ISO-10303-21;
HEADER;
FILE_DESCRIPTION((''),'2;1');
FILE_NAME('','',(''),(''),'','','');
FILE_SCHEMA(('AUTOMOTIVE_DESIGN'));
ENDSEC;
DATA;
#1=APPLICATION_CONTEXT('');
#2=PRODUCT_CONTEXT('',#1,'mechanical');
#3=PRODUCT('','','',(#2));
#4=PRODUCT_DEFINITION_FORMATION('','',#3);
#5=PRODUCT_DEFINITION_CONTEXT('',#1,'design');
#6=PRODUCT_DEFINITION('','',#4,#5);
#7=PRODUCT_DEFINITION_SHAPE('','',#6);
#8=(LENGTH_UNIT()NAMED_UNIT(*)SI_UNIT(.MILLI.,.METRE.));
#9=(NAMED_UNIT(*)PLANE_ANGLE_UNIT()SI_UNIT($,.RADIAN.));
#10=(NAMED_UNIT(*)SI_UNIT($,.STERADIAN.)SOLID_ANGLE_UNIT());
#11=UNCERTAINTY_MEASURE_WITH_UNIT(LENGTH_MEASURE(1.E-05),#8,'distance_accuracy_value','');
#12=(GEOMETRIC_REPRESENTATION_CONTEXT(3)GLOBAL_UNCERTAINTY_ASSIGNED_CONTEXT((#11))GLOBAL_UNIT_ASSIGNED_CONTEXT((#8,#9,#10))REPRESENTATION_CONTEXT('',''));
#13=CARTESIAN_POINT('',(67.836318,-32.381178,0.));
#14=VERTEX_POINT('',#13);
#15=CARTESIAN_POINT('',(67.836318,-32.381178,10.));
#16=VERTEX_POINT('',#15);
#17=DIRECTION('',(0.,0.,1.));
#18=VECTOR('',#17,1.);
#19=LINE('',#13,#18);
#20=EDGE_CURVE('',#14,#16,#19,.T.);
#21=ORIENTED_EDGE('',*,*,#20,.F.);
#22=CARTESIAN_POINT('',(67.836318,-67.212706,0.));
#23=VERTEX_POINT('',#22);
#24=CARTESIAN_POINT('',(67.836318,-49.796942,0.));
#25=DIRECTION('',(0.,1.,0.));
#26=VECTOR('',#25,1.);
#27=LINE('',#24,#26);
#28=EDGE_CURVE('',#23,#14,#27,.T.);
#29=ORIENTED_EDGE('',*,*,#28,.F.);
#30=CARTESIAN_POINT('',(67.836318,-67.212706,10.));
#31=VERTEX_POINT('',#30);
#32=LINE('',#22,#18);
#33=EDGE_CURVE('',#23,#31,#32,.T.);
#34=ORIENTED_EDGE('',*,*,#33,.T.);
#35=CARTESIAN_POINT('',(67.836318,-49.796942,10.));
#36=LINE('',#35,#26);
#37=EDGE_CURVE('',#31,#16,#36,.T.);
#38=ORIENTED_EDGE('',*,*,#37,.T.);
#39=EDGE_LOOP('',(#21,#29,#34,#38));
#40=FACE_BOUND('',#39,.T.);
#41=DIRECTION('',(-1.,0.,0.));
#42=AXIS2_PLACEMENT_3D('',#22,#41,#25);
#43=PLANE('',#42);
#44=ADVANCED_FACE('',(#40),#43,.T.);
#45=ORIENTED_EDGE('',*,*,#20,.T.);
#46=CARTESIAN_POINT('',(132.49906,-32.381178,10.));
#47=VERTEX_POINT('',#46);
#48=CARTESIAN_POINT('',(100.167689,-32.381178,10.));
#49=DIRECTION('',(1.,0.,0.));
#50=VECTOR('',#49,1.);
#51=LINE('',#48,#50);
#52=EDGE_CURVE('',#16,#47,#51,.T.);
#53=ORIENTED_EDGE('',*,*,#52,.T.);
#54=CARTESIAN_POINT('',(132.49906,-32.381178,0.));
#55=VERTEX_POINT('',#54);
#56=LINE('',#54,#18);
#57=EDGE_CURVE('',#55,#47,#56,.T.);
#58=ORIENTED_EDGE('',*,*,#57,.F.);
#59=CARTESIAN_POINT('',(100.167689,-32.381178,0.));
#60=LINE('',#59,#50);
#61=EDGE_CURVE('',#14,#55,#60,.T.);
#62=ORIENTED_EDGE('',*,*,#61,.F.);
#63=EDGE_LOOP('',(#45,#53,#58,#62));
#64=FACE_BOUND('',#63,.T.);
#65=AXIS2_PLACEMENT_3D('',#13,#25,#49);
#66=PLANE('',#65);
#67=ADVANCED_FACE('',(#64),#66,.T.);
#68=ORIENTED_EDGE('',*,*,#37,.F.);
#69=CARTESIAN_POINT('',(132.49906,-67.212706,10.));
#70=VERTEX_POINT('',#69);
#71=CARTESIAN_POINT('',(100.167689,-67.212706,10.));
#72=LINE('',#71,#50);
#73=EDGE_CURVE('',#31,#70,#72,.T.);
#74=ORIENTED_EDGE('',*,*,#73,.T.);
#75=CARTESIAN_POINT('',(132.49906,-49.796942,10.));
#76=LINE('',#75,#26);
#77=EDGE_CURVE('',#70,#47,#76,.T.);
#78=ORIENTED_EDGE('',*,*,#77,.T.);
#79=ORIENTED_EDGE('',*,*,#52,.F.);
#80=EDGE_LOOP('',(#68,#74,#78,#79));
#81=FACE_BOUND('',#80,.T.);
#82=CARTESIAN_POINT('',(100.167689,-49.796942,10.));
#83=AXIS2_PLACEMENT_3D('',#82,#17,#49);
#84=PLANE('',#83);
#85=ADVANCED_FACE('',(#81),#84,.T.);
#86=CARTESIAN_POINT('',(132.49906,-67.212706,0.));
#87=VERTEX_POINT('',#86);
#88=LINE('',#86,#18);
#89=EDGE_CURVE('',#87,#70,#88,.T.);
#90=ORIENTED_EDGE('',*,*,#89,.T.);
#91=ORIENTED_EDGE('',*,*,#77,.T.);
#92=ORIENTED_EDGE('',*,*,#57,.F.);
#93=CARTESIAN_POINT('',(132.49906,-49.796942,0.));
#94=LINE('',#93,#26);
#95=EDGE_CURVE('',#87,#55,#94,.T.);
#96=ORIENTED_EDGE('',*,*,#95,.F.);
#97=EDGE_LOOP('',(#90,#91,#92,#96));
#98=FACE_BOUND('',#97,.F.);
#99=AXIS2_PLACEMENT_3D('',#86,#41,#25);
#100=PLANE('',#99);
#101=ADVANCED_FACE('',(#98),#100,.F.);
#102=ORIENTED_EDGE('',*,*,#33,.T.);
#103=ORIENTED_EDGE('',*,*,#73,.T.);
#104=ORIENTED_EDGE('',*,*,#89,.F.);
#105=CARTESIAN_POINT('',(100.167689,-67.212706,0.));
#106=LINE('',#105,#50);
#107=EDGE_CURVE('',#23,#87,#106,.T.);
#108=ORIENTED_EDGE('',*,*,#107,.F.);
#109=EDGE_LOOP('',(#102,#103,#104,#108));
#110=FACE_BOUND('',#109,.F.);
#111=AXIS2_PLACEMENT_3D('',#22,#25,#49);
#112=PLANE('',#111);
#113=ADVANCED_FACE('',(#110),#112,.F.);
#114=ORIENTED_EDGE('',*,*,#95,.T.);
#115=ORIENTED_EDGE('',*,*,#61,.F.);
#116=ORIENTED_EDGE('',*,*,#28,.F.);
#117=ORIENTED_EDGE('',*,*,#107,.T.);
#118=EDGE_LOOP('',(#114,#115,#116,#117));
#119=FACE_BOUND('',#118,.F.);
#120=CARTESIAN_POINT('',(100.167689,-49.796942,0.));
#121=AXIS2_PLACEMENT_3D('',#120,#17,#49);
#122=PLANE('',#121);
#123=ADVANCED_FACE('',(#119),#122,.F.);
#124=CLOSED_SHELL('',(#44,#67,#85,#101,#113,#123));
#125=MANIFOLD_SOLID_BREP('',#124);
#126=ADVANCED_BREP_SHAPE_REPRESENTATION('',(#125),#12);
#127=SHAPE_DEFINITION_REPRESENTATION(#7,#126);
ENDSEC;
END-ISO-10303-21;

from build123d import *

# Parameters (mm, degrees)
CIRCLE001_R      = 0.5
EXTRUDE094_DEPTH = 10
CIRCLE002_R      = 0.5
EXTRUDE095_DEPTH = 10
CIRCLE003_R      = 0.5
EXTRUDE096_DEPTH = 10
RECTANGLE_W      = 64.662742
RECTANGLE_H      = 34.831528
EXTRUDE097_DEPTH = 10
CIRCLE_R         = 0.5
EXTRUDE093_DEPTH = 10


with BuildPart() as extrude094:
    # Circle001 → Extrude094 (new body)
    with BuildSketch(Plane(origin=(130.060043, -64.785744, 0), x_dir=(1, 0, 0), z_dir=(0, 0, 1))):
        Circle(CIRCLE001_R)
    extrude(amount=EXTRUDE094_DEPTH)


with BuildPart() as extrude095:
    # Circle002 → Extrude095 (new body)
    with BuildSketch(Plane(origin=(70.798393, -64.7696, 0), x_dir=(1, 0, 0), z_dir=(0, 0, 1))):
        Circle(CIRCLE002_R)
    extrude(amount=EXTRUDE095_DEPTH)


with BuildPart() as extrude096:
    # Circle003 → Extrude096 (new body)
    with BuildSketch(Plane(origin=(70.79007, -35.800797, 0), x_dir=(1, 0, 0), z_dir=(0, 0, 1))):
        Circle(CIRCLE003_R)
    extrude(amount=EXTRUDE096_DEPTH)


with BuildPart() as extrude097:
    # Rectangle → Extrude097 (new body)
    with BuildSketch(Plane(origin=(67.836318, -67.212706, 0), x_dir=(1, 0, 0), z_dir=(0, 0, 1))):
        with Locations((32.331371, 17.415764)):
            Rectangle(RECTANGLE_W, RECTANGLE_H)
    extrude(amount=EXTRUDE097_DEPTH)


with BuildPart() as fusion001:
    # Circle → Extrude093 (new body)
    with BuildSketch(Plane(origin=(130.059311, -35.555641, 0), x_dir=(1, 0, 0), z_dir=(0, 0, 1))):
        Circle(CIRCLE_R)
    extrude(amount=EXTRUDE093_DEPTH)

    # Fusion001: union Extrude094, Extrude095, Extrude096, Extrude097
    add(extrude094.part)
    add(extrude095.part)
    add(extrude096.part)
    add(extrude097.part)


solid = fusion001.part
